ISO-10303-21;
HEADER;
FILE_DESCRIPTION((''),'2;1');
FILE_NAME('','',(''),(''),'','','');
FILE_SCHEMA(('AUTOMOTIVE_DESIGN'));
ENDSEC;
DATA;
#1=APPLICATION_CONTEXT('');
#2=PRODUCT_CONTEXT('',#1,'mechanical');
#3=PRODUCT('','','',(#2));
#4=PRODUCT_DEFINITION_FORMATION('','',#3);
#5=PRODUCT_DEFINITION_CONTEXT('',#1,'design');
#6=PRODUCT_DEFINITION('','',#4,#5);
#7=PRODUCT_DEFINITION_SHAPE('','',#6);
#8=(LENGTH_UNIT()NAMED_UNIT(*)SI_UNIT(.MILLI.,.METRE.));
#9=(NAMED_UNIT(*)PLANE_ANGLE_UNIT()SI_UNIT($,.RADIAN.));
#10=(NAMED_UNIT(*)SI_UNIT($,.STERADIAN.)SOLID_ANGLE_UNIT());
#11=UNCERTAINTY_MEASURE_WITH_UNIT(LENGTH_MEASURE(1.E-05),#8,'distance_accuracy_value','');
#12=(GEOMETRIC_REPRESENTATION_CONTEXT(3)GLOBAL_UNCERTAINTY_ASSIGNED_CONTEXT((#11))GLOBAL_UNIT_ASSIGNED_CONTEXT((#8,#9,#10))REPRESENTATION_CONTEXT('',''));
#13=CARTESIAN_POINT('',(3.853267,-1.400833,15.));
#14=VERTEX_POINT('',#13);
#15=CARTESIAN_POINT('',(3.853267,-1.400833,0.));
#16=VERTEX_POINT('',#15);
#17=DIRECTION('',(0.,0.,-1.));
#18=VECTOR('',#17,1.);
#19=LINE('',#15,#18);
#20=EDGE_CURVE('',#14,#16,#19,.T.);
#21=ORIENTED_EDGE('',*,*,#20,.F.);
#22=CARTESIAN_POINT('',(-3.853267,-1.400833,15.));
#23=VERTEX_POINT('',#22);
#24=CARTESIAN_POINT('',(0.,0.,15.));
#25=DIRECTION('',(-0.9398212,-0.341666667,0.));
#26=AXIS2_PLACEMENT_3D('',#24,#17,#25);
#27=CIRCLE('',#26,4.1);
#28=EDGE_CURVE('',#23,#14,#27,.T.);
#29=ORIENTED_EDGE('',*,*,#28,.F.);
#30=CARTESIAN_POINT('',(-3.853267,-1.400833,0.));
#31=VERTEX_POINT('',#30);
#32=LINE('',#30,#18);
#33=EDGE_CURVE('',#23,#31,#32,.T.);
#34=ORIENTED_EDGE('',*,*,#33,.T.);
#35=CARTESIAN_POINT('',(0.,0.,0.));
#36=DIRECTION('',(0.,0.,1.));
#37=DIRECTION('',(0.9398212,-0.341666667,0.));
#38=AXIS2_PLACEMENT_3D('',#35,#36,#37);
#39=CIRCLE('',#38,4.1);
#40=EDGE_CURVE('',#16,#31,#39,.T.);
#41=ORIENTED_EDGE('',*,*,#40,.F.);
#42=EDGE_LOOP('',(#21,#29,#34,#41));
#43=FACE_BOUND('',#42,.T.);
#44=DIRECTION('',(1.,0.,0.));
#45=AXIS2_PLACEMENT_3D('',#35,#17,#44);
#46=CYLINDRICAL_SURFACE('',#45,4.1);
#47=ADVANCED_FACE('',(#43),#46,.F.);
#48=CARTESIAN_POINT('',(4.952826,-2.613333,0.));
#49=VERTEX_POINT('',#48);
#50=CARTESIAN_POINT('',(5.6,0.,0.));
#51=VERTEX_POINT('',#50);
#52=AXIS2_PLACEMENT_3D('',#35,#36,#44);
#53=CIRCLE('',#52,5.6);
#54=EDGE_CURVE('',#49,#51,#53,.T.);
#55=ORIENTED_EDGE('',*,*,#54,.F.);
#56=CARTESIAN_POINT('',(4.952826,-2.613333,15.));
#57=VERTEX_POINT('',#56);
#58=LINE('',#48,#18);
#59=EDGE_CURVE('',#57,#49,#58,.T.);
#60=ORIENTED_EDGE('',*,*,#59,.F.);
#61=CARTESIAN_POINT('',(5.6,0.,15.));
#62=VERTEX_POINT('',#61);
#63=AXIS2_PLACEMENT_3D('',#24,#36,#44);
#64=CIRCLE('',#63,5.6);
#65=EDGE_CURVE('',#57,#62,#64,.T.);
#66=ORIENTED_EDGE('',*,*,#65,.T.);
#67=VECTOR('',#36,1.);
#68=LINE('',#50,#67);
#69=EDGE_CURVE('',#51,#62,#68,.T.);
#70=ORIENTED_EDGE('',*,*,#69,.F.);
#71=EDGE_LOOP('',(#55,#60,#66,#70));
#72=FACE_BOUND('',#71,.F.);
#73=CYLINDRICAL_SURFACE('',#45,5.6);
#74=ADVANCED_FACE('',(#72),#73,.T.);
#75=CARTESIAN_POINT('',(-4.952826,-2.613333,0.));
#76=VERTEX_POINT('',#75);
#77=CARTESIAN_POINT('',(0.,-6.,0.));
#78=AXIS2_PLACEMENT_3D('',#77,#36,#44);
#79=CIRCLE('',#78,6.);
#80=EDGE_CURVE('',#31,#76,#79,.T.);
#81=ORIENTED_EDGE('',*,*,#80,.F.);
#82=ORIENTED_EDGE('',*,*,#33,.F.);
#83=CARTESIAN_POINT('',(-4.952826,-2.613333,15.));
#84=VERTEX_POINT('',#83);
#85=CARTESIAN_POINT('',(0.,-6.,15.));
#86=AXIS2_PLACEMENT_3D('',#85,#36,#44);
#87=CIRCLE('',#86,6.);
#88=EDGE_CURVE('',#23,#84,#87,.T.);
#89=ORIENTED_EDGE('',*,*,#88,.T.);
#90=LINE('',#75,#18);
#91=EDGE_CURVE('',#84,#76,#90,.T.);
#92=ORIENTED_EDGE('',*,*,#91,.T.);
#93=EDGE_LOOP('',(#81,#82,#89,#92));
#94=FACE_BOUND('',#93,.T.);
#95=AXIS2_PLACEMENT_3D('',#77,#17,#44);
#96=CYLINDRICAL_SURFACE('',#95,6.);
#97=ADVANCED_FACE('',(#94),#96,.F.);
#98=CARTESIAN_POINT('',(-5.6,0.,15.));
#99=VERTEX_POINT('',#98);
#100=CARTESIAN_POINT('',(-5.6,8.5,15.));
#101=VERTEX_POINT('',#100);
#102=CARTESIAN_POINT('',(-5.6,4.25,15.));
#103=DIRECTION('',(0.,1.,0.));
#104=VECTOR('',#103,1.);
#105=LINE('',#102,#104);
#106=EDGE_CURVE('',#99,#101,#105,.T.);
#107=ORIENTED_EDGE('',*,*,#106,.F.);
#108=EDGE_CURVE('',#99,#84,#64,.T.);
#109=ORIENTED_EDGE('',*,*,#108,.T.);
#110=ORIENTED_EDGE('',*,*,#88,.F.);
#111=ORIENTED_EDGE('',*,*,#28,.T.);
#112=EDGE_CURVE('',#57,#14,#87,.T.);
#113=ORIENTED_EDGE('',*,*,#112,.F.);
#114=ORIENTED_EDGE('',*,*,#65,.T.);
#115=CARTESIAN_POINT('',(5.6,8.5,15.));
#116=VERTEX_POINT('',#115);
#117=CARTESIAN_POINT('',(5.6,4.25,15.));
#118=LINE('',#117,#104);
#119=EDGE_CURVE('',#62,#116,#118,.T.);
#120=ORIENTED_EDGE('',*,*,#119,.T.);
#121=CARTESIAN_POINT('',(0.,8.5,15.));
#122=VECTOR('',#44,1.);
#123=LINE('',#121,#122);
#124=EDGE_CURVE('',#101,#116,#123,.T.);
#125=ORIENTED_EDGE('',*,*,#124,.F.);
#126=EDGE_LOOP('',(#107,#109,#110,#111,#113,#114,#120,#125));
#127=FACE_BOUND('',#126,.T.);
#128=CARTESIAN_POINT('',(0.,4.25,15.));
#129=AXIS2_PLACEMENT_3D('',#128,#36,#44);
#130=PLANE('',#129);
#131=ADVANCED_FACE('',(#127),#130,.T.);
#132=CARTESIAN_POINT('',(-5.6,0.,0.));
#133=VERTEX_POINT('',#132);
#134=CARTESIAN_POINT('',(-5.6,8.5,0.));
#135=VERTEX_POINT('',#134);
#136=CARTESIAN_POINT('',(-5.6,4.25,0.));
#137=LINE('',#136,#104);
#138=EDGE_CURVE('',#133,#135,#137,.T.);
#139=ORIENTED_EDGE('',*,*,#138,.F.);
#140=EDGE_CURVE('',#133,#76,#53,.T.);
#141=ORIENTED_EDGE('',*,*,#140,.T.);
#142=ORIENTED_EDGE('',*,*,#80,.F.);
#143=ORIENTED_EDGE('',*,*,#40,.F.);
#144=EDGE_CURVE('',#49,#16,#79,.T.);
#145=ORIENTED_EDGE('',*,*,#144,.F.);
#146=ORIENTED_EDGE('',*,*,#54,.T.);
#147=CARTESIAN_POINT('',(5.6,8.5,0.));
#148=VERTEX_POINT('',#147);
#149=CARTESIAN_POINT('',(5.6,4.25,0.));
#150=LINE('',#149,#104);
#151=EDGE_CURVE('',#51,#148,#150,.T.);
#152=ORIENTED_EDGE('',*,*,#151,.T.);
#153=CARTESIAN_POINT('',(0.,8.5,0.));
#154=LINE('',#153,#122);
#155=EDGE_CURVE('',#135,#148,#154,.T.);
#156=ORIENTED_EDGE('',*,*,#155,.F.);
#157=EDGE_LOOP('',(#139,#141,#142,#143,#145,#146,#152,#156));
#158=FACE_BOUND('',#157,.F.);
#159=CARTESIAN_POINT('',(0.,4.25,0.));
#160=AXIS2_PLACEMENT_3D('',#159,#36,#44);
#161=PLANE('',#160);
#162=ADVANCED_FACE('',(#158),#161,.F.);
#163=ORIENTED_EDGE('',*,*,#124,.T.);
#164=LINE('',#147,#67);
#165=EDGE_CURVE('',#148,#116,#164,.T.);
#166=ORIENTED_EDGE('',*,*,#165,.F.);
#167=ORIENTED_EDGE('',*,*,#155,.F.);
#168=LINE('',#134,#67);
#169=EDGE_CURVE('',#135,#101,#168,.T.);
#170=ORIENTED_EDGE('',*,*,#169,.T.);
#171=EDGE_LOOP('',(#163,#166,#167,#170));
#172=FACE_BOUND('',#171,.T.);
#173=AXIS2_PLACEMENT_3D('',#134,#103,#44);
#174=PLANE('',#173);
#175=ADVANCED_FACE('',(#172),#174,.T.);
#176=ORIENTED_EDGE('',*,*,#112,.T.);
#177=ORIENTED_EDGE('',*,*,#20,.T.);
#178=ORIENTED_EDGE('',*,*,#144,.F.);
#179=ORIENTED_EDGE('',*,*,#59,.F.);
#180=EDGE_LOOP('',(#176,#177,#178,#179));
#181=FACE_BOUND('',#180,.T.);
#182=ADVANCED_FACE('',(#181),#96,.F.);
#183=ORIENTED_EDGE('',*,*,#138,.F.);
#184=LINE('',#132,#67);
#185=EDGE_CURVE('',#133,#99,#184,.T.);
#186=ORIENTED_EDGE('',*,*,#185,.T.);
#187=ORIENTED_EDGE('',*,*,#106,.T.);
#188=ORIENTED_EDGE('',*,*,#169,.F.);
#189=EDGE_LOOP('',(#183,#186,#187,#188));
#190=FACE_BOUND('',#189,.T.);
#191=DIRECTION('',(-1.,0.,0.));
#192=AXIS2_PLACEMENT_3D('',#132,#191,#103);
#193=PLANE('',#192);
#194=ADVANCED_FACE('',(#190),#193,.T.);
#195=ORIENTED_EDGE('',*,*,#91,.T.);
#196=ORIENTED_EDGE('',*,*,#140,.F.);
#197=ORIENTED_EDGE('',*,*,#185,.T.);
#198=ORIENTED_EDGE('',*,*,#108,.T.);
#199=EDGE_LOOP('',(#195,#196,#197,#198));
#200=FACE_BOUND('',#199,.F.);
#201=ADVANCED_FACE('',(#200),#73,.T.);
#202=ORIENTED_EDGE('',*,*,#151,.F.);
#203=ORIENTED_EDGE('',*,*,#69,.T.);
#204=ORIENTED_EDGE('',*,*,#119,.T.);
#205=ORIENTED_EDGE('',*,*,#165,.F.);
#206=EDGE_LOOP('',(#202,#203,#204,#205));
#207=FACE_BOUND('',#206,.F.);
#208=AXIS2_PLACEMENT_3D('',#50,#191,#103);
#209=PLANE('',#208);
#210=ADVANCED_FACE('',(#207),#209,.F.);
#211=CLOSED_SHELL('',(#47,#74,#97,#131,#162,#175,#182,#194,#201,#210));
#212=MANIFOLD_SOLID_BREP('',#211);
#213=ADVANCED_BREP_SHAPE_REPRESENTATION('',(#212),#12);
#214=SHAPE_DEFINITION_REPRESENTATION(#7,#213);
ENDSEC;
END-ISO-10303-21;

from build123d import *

# Parameters (mm, degrees)
CYLINDER098_R     = 6
CYLINDER098_DEPTH = 15
CYLINDER096_R     = 4.1
CYLINDER096_DEPTH = 15
BOX053_W          = 11.2
BOX053_H          = 8.5
BOX053_DEPTH      = 15
CYLINDER097_R     = 5.6
CYLINDER097_DEPTH = 15


with BuildPart() as zylinder089:
    # Cylinder098 → Cylinder098 (new body)
    with BuildSketch(Plane(origin=(0, -6, 0), x_dir=(1, 0, 0), z_dir=(0, 0, 1))):
        Circle(CYLINDER098_R)
    extrude(amount=CYLINDER098_DEPTH)


with BuildPart() as zylinder087:
    # Cylinder096 → Cylinder096 (new body)
    with BuildSketch(Plane.XY):
        Circle(CYLINDER096_R)
    extrude(amount=CYLINDER096_DEPTH)


with BuildPart() as w_rfel052:
    # Box053 → Box053 (new body)
    with BuildSketch(Plane(origin=(-5.6, 0, 0), x_dir=(1, 0, 0), z_dir=(0, 0, 1))):
        with Locations((5.6, 4.25)):
            Rectangle(BOX053_W, BOX053_H)
    extrude(amount=BOX053_DEPTH)


with BuildPart() as cut011004014002011:
    # Cylinder097 → Cylinder097 (new body)
    with BuildSketch(Plane.XY):
        Circle(CYLINDER097_R)
    extrude(amount=CYLINDER097_DEPTH)

    # Fusion026038: union Würfel052
    add(w_rfel052.part)

    # Cut011004014002010: cut Zylinder087
    add(zylinder087.part, mode=Mode.SUBTRACT)

    # Cut011004014002011: cut Zylinder089
    add(zylinder089.part, mode=Mode.SUBTRACT)


solid = cut011004014002011.part
